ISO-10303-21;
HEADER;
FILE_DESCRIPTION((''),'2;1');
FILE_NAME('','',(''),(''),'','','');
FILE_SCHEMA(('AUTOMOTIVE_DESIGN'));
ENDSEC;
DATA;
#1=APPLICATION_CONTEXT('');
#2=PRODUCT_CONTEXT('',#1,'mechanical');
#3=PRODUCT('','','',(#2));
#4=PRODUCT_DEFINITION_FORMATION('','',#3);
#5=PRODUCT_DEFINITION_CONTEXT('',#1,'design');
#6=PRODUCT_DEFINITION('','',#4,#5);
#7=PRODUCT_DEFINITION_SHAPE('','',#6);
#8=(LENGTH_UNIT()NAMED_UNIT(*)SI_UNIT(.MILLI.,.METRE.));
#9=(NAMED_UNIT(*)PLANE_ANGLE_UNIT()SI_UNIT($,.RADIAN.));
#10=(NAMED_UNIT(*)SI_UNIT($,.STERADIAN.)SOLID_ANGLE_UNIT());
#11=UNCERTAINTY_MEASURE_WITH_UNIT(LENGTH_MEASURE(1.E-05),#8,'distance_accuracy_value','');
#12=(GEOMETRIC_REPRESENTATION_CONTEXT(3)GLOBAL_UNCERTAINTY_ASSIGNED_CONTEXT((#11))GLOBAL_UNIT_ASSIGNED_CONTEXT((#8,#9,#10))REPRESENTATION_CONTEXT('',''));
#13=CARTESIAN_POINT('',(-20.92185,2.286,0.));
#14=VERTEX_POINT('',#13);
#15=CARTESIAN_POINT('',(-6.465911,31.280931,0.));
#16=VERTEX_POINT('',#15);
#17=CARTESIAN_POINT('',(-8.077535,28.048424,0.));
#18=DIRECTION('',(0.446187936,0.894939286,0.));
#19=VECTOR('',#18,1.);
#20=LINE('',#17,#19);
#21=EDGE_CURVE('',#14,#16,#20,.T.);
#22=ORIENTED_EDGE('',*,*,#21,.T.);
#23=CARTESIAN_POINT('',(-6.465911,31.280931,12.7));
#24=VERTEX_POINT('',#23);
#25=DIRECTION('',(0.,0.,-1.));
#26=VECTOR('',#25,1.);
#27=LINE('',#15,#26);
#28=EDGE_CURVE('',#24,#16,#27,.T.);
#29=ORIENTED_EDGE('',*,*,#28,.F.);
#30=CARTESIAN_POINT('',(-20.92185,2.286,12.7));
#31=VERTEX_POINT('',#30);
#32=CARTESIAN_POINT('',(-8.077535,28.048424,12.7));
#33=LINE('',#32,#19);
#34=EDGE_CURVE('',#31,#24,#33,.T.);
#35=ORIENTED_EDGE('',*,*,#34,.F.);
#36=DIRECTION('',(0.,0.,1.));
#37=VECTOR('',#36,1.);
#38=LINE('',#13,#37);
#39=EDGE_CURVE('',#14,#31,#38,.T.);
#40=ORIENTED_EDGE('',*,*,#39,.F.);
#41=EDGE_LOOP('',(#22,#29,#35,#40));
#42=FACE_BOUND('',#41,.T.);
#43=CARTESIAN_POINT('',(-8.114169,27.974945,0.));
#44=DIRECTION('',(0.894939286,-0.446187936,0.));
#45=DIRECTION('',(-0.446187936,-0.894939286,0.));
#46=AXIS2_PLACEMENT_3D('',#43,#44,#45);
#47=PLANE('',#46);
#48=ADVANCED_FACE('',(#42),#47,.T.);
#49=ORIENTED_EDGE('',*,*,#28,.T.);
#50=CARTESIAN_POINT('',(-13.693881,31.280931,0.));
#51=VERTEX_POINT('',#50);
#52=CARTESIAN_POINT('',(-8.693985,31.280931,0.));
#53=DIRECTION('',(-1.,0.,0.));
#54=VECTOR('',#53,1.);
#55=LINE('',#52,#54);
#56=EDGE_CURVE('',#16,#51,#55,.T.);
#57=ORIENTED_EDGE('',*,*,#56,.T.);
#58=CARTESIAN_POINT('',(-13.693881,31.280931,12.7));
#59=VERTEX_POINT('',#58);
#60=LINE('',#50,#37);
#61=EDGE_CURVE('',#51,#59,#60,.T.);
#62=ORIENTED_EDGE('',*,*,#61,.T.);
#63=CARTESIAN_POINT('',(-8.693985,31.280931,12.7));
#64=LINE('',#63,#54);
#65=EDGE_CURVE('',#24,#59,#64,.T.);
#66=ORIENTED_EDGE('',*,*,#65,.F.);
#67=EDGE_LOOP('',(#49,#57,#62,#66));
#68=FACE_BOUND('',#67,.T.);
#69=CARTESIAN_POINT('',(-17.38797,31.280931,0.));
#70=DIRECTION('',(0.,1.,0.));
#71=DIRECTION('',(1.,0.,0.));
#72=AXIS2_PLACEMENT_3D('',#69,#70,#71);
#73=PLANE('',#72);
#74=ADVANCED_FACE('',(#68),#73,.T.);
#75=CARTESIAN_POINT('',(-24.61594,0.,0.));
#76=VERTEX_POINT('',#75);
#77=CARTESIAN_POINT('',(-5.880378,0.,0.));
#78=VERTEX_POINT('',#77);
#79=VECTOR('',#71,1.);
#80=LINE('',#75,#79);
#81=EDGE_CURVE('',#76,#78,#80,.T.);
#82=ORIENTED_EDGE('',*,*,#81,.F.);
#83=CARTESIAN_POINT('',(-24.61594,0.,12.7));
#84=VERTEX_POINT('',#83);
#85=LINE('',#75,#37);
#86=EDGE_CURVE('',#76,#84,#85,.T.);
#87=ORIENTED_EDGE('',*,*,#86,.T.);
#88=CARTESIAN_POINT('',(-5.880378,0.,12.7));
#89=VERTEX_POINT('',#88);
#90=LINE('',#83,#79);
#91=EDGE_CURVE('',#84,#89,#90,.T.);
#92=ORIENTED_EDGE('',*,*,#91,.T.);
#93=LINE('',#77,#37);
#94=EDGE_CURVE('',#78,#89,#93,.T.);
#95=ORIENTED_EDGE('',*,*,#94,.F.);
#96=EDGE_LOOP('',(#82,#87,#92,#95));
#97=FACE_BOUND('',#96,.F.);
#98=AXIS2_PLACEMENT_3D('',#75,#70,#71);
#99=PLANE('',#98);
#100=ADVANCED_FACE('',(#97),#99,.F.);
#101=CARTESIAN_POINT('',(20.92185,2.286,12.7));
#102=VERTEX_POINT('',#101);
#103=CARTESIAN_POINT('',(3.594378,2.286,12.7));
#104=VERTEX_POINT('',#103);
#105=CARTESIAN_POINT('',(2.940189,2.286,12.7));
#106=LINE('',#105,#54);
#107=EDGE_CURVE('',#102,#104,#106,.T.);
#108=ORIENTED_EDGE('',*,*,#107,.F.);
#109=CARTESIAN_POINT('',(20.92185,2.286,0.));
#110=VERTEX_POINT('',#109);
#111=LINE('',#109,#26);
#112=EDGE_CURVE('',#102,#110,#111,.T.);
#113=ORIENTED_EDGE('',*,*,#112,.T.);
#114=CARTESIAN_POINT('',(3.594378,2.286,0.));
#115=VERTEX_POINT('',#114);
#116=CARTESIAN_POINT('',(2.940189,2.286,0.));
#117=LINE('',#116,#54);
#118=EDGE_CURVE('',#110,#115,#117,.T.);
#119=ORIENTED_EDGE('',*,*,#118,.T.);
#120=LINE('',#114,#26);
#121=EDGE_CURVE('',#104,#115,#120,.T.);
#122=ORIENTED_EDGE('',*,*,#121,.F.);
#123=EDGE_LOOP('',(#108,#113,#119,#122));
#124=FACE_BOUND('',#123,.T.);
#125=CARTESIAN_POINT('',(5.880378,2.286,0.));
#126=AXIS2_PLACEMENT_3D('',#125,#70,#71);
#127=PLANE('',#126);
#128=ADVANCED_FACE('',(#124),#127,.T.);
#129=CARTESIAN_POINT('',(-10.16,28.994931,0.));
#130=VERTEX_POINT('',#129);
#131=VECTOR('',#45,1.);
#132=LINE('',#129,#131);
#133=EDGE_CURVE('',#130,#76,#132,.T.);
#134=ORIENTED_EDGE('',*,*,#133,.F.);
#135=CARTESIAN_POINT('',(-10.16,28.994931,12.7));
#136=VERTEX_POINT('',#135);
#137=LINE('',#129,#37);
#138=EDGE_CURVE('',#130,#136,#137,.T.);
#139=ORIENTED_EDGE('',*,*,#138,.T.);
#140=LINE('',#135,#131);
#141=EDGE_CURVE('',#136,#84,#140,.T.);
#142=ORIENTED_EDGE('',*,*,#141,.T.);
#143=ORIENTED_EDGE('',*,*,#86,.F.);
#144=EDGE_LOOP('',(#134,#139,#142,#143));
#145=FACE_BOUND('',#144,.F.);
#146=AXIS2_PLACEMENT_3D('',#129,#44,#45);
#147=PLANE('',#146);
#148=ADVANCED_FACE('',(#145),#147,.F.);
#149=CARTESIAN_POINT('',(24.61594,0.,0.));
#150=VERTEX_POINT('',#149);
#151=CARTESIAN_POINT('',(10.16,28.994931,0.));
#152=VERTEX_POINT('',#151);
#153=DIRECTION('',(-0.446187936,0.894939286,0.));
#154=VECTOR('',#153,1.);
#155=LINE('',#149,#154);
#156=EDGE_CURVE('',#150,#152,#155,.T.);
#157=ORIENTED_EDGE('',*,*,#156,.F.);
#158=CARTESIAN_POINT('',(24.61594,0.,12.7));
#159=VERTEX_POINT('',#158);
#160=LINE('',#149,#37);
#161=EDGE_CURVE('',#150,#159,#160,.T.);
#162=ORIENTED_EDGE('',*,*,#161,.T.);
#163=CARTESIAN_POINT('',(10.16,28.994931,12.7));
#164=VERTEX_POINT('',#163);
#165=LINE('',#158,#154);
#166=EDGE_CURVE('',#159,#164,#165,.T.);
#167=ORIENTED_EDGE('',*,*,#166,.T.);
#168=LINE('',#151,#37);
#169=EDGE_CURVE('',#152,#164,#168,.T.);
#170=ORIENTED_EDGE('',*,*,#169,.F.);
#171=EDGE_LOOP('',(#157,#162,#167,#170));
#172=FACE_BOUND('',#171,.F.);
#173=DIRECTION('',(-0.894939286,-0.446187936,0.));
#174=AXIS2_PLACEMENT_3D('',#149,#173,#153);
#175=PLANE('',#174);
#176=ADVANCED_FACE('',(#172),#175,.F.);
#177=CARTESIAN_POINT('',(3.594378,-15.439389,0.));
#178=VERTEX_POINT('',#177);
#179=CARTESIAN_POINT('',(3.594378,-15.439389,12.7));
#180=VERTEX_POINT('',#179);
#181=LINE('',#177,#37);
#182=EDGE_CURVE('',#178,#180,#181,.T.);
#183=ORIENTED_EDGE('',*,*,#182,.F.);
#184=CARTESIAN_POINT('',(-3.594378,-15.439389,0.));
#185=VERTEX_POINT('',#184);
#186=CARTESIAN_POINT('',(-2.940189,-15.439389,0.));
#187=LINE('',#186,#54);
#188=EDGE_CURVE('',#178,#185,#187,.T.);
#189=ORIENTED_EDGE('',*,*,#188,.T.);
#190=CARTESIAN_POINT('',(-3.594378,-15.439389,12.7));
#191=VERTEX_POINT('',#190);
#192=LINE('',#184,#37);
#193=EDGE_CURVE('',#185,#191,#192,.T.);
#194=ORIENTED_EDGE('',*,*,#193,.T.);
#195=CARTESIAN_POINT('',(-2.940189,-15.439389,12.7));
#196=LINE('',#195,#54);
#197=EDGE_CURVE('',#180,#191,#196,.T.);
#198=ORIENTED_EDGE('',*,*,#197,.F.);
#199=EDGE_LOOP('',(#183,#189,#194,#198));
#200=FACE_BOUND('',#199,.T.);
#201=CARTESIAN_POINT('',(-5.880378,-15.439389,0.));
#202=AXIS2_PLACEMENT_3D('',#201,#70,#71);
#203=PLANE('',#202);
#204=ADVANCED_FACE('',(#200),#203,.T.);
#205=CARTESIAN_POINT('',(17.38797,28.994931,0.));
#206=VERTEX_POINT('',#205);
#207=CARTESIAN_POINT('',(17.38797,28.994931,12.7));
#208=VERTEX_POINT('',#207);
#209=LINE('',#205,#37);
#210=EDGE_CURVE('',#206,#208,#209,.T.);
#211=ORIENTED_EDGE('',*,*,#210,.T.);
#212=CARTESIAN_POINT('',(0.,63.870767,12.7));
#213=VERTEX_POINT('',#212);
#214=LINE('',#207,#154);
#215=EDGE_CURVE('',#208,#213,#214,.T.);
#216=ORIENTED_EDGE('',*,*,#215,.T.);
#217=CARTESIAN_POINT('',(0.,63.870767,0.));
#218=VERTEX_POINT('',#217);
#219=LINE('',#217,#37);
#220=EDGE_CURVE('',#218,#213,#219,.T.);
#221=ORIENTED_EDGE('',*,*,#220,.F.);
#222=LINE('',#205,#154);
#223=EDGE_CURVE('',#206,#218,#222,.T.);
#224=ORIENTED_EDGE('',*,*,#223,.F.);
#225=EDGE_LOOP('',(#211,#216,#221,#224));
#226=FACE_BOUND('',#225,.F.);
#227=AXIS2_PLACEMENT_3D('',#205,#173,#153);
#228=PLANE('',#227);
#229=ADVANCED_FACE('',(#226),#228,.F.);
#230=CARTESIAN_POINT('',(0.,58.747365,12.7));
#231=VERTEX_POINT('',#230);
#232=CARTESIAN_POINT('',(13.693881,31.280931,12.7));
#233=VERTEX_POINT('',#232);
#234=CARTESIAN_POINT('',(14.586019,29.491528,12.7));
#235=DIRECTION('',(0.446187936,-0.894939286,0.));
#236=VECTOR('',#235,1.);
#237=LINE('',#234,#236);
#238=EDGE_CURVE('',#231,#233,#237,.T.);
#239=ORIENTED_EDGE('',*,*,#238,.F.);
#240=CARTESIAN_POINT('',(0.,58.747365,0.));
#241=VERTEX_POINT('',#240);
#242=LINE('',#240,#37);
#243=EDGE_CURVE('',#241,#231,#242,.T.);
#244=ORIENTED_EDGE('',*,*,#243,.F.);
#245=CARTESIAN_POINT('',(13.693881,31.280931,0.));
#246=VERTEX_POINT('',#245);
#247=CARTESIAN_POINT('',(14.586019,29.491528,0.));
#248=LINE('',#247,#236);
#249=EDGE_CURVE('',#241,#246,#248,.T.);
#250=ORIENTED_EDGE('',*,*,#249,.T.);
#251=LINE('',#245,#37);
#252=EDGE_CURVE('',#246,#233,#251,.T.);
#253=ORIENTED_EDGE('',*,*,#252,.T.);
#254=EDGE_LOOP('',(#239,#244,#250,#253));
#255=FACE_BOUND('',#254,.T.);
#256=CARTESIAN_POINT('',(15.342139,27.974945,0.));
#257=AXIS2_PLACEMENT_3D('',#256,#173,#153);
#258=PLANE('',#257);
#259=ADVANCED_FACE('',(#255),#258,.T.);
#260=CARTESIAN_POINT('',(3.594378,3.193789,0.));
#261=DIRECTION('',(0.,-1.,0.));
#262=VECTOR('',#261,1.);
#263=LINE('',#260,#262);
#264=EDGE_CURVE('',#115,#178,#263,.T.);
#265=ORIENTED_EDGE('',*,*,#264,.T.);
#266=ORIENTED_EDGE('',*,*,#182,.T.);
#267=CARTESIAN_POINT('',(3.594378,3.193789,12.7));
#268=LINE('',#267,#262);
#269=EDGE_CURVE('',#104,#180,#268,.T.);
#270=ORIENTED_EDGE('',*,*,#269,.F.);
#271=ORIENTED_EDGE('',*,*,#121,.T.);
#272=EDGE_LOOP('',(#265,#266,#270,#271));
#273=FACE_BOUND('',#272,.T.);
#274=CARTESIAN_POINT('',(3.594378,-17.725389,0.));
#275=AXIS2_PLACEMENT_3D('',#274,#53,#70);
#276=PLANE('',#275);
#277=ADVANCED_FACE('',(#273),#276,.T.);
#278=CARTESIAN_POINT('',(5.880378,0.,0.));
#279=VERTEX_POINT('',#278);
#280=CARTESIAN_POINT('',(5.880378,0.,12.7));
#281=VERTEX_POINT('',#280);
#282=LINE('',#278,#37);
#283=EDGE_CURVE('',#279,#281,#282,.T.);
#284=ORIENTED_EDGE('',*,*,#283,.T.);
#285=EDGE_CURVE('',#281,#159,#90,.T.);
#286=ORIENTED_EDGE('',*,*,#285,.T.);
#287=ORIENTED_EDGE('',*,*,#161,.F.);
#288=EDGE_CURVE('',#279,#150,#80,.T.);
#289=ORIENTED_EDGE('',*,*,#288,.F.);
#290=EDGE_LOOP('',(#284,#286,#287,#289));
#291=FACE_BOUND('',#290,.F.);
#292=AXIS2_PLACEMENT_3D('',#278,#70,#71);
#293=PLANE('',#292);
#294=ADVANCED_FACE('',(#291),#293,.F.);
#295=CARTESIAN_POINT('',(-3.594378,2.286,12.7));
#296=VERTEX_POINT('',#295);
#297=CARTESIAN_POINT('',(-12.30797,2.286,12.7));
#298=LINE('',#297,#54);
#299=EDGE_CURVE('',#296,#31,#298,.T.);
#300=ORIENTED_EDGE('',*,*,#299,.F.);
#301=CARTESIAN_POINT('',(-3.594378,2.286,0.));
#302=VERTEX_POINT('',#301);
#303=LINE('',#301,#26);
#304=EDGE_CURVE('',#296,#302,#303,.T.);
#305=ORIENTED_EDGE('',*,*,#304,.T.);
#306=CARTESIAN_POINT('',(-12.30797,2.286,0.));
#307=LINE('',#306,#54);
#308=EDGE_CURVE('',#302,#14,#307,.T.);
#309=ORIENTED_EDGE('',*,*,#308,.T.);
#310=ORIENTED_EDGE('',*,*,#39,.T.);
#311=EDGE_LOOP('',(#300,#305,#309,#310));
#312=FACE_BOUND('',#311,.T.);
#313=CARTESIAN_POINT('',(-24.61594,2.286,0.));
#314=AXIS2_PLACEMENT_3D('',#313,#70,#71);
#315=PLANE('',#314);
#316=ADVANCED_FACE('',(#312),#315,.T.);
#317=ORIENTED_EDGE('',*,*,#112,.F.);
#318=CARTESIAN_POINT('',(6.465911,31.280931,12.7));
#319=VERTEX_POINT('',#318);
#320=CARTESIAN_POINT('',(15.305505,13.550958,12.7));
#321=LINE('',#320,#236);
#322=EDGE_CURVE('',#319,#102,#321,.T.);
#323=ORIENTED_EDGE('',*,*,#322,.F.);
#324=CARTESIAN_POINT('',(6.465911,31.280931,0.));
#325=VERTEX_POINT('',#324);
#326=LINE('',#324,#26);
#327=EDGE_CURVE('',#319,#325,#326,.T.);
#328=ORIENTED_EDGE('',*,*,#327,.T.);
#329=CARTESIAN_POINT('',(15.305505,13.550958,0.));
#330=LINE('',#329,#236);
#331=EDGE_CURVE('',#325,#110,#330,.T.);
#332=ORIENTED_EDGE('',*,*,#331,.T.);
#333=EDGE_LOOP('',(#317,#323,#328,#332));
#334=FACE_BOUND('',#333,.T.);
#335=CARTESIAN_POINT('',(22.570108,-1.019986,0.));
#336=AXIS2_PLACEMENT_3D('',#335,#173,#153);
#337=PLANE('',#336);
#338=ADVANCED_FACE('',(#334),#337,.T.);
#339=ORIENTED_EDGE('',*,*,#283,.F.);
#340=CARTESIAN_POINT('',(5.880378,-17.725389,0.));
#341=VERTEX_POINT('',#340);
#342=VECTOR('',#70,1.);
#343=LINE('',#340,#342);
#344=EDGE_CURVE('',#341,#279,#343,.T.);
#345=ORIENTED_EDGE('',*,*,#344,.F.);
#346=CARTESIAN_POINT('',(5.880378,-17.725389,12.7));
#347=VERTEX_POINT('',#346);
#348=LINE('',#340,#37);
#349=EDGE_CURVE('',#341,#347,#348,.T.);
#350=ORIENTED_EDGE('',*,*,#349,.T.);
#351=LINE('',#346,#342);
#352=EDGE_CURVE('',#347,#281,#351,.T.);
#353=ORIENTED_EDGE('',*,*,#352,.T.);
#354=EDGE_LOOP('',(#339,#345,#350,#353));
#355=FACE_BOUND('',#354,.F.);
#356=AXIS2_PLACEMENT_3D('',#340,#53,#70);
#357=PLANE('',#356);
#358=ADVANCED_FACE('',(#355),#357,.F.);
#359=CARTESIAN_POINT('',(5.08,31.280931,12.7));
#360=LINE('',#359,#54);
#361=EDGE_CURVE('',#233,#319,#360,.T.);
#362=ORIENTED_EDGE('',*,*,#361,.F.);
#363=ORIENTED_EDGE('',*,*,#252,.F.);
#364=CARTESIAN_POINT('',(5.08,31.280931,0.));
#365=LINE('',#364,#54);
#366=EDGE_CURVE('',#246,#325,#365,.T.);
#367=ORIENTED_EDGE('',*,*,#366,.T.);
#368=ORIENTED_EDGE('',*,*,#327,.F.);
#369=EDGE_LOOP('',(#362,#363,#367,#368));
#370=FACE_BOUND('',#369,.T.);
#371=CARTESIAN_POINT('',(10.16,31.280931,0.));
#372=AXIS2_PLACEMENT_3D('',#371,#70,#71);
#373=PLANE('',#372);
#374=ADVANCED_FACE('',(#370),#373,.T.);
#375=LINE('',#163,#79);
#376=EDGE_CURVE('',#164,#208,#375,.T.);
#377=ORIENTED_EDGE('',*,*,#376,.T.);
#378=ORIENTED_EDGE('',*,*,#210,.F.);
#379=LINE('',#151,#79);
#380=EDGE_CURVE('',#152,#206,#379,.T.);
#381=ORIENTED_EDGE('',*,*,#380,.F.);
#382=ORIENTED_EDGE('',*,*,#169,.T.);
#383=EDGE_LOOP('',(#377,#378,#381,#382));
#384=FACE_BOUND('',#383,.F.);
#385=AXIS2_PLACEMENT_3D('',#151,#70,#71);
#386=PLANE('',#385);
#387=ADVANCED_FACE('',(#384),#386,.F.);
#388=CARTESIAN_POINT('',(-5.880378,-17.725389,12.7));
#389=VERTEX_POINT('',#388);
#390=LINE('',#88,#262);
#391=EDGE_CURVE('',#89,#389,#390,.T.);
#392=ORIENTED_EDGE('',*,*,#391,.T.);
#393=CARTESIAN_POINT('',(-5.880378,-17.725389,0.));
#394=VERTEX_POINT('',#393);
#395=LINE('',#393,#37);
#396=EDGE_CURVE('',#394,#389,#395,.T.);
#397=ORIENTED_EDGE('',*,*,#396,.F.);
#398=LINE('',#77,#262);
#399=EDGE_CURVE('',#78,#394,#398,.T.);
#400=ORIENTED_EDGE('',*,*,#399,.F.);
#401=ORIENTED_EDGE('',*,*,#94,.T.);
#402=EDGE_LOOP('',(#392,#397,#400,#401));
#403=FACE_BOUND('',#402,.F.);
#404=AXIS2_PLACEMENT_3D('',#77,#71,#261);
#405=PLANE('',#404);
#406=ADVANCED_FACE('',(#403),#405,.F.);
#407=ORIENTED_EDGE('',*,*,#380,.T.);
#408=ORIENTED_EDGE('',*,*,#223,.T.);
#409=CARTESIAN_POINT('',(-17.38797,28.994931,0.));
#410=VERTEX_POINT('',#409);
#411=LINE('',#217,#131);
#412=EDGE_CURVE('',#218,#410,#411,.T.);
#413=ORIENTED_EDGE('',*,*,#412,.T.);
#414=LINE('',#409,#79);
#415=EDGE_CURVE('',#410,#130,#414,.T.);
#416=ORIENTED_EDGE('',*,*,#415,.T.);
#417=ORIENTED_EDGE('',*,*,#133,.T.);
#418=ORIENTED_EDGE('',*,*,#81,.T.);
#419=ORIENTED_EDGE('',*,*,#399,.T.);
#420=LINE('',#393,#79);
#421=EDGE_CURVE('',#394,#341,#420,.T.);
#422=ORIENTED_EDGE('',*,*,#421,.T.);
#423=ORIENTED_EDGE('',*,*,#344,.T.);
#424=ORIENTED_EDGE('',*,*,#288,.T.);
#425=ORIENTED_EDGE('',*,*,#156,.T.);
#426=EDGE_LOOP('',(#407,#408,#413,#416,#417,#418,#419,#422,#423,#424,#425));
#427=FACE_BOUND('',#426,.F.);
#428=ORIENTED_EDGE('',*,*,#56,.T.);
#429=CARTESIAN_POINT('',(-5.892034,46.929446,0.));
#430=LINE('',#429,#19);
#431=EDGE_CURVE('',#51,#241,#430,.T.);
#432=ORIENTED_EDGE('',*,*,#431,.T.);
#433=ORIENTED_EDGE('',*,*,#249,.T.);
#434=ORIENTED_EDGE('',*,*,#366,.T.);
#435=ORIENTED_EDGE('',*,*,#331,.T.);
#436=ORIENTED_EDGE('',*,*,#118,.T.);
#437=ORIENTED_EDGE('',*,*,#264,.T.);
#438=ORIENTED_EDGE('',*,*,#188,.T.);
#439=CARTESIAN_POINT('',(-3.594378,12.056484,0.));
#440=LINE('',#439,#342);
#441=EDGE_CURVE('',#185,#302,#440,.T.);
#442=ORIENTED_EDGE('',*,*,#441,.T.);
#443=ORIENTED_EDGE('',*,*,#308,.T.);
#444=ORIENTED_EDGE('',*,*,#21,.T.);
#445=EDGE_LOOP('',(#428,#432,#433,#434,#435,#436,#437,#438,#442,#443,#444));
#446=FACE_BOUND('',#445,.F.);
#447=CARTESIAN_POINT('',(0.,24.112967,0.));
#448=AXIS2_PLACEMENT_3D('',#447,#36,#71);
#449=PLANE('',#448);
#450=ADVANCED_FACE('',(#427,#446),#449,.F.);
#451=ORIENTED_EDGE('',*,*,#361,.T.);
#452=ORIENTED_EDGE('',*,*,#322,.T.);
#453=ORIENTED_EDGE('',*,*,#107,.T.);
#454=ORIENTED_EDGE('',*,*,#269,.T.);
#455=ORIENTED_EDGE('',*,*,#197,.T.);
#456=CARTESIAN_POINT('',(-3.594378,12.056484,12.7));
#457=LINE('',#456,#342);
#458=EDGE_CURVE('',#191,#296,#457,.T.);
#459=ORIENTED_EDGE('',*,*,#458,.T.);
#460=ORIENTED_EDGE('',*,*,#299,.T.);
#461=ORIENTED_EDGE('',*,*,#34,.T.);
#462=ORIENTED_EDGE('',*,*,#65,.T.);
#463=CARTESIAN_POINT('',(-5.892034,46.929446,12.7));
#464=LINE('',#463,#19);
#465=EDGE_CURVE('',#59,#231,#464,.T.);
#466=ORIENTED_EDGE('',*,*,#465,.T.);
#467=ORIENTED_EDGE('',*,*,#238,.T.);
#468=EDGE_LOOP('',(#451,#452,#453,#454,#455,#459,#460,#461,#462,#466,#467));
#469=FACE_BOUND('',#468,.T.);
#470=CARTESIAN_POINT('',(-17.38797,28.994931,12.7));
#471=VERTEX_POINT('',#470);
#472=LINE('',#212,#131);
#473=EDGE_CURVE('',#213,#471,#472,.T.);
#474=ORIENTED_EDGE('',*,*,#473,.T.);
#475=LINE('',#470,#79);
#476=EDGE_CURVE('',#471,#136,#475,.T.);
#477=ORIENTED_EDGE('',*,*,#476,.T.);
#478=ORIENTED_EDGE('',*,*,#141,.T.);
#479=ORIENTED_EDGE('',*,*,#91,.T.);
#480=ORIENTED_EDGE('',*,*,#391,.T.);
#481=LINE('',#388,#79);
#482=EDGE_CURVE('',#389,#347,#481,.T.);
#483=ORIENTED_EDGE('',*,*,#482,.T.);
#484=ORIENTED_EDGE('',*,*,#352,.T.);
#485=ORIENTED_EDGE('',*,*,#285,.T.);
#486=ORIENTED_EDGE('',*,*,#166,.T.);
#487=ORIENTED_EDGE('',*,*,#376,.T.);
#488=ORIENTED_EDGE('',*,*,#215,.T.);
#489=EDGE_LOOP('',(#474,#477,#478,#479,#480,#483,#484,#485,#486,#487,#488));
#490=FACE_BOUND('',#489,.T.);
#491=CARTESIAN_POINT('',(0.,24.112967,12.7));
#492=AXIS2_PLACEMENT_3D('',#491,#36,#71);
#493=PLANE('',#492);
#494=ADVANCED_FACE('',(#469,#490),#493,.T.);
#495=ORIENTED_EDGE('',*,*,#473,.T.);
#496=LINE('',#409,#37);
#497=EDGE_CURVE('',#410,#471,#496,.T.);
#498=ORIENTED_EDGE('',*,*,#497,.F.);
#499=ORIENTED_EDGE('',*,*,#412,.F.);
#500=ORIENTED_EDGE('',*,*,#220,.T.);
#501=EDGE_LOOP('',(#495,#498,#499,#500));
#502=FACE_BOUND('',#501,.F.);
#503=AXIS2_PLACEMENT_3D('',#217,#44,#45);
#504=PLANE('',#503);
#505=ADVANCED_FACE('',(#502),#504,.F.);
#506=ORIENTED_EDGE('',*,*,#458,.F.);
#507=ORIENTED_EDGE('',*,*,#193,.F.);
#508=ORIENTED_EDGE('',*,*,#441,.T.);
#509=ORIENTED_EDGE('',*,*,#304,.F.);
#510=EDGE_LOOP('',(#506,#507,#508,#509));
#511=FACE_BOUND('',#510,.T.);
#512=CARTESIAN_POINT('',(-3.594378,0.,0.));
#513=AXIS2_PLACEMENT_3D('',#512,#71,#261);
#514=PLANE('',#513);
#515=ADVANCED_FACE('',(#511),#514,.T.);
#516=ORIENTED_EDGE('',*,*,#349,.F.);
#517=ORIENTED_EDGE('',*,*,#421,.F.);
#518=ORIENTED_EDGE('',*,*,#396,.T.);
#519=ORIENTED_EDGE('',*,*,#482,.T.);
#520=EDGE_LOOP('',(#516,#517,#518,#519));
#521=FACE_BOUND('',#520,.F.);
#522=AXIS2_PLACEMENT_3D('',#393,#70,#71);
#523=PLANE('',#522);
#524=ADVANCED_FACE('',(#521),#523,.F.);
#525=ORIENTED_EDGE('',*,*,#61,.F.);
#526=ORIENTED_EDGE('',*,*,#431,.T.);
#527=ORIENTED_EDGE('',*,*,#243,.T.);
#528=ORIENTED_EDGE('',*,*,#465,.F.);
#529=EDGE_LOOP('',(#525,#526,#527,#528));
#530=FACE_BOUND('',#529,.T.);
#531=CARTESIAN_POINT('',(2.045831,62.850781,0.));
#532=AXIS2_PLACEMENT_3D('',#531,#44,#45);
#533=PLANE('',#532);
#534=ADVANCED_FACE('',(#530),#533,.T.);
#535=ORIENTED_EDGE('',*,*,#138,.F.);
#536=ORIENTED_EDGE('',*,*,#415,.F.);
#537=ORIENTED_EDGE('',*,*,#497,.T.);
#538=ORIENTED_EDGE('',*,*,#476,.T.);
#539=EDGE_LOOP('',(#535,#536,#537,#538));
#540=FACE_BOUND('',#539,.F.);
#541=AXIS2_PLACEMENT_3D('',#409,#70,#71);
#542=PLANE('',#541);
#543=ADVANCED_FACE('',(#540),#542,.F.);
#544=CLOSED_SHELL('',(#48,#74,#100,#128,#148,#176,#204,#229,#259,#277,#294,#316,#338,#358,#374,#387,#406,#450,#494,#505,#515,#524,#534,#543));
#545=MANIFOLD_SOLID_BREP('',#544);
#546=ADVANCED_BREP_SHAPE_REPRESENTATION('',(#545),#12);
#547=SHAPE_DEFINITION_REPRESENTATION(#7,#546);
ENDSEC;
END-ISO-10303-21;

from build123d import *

# Parameters (mm, degrees)
F1_DEPTH = 12.7
F2_T     = -2.286


with BuildPart() as f1:
    # F0 (on Top) → F1 (new body)
    with BuildSketch(Plane.XY):
        Polygon((5.8803781867, 0), (10.16, 0), (24.6159397066, 0), (10.16, 28.9949309081), (17.3879698533, 28.9949309081), (0, 63.8707670531), (-17.3879698533, 28.9949309081), (-10.16, 28.9949309081), (-24.6159397066, 0), (-10.16, 0), (-5.8803781867, 0), align=None)
        Polygon((5.8803781867, -17.7253894508), (5.8803781867, 0), (-5.8803781867, 0), (-5.8803781867, -17.7253894508), (0, -17.7253894508), align=None)
    extrude(amount=F1_DEPTH)

    # F2
    f2_openings = [f1.faces().sort_by_distance(p)[0] for p in [
        (0, 19.404234, 12.7),
        (0, 19.404234, 0),
    ]]
    offset(amount=F2_T, openings=f2_openings, kind=Kind.INTERSECTION)


solid = f1.part
